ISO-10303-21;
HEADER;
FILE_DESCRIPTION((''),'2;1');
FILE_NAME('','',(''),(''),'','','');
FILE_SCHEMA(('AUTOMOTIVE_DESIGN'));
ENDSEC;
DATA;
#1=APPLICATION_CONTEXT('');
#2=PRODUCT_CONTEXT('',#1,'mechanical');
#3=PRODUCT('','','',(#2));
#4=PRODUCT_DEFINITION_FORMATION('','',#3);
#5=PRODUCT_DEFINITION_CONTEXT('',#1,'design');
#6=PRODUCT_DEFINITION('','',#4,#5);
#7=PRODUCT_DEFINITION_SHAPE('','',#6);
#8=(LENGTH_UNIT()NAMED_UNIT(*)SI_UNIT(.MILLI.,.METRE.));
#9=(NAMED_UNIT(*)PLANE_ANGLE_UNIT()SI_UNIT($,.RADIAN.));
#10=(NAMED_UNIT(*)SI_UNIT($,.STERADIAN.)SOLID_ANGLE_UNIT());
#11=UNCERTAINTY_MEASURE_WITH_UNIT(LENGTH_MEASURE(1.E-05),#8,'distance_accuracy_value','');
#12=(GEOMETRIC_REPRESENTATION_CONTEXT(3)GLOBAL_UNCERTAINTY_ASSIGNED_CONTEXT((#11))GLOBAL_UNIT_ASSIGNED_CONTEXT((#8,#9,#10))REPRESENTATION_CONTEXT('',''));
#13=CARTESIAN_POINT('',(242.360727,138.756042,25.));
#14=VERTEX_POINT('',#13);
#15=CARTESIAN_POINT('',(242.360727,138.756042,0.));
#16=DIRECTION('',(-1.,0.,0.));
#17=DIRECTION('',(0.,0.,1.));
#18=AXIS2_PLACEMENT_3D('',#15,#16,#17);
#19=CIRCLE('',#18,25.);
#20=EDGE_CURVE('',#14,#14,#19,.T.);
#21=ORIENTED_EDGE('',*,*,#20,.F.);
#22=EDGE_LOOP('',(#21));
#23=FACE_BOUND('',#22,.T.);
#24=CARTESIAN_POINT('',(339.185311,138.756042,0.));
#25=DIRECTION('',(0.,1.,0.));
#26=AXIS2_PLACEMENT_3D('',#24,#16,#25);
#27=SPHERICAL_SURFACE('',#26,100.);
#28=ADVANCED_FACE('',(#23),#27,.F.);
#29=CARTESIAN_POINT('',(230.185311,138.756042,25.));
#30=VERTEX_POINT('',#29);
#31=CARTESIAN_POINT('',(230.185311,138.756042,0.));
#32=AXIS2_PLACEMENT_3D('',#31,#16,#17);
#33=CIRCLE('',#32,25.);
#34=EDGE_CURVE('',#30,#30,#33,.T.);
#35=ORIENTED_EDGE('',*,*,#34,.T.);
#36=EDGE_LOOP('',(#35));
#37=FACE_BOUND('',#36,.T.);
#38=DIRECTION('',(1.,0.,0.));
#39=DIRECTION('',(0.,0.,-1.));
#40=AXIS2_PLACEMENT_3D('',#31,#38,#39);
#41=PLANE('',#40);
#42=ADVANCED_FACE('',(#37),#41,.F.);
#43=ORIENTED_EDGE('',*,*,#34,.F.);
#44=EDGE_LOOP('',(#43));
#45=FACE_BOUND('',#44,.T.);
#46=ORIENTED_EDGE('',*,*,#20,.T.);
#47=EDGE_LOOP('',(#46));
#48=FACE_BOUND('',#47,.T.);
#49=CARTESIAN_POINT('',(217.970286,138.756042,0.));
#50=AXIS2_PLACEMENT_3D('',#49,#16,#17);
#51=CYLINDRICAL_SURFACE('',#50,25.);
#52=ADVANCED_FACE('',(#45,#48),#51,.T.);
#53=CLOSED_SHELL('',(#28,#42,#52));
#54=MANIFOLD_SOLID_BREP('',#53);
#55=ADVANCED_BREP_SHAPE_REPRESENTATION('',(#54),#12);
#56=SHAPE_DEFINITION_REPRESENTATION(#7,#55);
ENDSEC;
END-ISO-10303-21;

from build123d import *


with BuildPart() as part:
    # 草图1 → 旋转1 (revolve)
    with BuildSketch(Plane.XY):
        with BuildLine():
            Line((230.18531107, 138.756042247), (230.18531107, 163.756042247))
            Line((230.18531107, 163.756042247), (242.360727415, 163.756042247))
            ThreePointArc((242.360727415, 163.756042247), (239.982341443, 151.356471495), (239.18531107, 138.756042247))
            Line((239.18531107, 138.756042247), (230.18531107, 138.756042247))
        make_face()
    revolve(axis=Axis((217.970286004, 138.756042247, 0), (1, 0, 0)))


solid = part.part
